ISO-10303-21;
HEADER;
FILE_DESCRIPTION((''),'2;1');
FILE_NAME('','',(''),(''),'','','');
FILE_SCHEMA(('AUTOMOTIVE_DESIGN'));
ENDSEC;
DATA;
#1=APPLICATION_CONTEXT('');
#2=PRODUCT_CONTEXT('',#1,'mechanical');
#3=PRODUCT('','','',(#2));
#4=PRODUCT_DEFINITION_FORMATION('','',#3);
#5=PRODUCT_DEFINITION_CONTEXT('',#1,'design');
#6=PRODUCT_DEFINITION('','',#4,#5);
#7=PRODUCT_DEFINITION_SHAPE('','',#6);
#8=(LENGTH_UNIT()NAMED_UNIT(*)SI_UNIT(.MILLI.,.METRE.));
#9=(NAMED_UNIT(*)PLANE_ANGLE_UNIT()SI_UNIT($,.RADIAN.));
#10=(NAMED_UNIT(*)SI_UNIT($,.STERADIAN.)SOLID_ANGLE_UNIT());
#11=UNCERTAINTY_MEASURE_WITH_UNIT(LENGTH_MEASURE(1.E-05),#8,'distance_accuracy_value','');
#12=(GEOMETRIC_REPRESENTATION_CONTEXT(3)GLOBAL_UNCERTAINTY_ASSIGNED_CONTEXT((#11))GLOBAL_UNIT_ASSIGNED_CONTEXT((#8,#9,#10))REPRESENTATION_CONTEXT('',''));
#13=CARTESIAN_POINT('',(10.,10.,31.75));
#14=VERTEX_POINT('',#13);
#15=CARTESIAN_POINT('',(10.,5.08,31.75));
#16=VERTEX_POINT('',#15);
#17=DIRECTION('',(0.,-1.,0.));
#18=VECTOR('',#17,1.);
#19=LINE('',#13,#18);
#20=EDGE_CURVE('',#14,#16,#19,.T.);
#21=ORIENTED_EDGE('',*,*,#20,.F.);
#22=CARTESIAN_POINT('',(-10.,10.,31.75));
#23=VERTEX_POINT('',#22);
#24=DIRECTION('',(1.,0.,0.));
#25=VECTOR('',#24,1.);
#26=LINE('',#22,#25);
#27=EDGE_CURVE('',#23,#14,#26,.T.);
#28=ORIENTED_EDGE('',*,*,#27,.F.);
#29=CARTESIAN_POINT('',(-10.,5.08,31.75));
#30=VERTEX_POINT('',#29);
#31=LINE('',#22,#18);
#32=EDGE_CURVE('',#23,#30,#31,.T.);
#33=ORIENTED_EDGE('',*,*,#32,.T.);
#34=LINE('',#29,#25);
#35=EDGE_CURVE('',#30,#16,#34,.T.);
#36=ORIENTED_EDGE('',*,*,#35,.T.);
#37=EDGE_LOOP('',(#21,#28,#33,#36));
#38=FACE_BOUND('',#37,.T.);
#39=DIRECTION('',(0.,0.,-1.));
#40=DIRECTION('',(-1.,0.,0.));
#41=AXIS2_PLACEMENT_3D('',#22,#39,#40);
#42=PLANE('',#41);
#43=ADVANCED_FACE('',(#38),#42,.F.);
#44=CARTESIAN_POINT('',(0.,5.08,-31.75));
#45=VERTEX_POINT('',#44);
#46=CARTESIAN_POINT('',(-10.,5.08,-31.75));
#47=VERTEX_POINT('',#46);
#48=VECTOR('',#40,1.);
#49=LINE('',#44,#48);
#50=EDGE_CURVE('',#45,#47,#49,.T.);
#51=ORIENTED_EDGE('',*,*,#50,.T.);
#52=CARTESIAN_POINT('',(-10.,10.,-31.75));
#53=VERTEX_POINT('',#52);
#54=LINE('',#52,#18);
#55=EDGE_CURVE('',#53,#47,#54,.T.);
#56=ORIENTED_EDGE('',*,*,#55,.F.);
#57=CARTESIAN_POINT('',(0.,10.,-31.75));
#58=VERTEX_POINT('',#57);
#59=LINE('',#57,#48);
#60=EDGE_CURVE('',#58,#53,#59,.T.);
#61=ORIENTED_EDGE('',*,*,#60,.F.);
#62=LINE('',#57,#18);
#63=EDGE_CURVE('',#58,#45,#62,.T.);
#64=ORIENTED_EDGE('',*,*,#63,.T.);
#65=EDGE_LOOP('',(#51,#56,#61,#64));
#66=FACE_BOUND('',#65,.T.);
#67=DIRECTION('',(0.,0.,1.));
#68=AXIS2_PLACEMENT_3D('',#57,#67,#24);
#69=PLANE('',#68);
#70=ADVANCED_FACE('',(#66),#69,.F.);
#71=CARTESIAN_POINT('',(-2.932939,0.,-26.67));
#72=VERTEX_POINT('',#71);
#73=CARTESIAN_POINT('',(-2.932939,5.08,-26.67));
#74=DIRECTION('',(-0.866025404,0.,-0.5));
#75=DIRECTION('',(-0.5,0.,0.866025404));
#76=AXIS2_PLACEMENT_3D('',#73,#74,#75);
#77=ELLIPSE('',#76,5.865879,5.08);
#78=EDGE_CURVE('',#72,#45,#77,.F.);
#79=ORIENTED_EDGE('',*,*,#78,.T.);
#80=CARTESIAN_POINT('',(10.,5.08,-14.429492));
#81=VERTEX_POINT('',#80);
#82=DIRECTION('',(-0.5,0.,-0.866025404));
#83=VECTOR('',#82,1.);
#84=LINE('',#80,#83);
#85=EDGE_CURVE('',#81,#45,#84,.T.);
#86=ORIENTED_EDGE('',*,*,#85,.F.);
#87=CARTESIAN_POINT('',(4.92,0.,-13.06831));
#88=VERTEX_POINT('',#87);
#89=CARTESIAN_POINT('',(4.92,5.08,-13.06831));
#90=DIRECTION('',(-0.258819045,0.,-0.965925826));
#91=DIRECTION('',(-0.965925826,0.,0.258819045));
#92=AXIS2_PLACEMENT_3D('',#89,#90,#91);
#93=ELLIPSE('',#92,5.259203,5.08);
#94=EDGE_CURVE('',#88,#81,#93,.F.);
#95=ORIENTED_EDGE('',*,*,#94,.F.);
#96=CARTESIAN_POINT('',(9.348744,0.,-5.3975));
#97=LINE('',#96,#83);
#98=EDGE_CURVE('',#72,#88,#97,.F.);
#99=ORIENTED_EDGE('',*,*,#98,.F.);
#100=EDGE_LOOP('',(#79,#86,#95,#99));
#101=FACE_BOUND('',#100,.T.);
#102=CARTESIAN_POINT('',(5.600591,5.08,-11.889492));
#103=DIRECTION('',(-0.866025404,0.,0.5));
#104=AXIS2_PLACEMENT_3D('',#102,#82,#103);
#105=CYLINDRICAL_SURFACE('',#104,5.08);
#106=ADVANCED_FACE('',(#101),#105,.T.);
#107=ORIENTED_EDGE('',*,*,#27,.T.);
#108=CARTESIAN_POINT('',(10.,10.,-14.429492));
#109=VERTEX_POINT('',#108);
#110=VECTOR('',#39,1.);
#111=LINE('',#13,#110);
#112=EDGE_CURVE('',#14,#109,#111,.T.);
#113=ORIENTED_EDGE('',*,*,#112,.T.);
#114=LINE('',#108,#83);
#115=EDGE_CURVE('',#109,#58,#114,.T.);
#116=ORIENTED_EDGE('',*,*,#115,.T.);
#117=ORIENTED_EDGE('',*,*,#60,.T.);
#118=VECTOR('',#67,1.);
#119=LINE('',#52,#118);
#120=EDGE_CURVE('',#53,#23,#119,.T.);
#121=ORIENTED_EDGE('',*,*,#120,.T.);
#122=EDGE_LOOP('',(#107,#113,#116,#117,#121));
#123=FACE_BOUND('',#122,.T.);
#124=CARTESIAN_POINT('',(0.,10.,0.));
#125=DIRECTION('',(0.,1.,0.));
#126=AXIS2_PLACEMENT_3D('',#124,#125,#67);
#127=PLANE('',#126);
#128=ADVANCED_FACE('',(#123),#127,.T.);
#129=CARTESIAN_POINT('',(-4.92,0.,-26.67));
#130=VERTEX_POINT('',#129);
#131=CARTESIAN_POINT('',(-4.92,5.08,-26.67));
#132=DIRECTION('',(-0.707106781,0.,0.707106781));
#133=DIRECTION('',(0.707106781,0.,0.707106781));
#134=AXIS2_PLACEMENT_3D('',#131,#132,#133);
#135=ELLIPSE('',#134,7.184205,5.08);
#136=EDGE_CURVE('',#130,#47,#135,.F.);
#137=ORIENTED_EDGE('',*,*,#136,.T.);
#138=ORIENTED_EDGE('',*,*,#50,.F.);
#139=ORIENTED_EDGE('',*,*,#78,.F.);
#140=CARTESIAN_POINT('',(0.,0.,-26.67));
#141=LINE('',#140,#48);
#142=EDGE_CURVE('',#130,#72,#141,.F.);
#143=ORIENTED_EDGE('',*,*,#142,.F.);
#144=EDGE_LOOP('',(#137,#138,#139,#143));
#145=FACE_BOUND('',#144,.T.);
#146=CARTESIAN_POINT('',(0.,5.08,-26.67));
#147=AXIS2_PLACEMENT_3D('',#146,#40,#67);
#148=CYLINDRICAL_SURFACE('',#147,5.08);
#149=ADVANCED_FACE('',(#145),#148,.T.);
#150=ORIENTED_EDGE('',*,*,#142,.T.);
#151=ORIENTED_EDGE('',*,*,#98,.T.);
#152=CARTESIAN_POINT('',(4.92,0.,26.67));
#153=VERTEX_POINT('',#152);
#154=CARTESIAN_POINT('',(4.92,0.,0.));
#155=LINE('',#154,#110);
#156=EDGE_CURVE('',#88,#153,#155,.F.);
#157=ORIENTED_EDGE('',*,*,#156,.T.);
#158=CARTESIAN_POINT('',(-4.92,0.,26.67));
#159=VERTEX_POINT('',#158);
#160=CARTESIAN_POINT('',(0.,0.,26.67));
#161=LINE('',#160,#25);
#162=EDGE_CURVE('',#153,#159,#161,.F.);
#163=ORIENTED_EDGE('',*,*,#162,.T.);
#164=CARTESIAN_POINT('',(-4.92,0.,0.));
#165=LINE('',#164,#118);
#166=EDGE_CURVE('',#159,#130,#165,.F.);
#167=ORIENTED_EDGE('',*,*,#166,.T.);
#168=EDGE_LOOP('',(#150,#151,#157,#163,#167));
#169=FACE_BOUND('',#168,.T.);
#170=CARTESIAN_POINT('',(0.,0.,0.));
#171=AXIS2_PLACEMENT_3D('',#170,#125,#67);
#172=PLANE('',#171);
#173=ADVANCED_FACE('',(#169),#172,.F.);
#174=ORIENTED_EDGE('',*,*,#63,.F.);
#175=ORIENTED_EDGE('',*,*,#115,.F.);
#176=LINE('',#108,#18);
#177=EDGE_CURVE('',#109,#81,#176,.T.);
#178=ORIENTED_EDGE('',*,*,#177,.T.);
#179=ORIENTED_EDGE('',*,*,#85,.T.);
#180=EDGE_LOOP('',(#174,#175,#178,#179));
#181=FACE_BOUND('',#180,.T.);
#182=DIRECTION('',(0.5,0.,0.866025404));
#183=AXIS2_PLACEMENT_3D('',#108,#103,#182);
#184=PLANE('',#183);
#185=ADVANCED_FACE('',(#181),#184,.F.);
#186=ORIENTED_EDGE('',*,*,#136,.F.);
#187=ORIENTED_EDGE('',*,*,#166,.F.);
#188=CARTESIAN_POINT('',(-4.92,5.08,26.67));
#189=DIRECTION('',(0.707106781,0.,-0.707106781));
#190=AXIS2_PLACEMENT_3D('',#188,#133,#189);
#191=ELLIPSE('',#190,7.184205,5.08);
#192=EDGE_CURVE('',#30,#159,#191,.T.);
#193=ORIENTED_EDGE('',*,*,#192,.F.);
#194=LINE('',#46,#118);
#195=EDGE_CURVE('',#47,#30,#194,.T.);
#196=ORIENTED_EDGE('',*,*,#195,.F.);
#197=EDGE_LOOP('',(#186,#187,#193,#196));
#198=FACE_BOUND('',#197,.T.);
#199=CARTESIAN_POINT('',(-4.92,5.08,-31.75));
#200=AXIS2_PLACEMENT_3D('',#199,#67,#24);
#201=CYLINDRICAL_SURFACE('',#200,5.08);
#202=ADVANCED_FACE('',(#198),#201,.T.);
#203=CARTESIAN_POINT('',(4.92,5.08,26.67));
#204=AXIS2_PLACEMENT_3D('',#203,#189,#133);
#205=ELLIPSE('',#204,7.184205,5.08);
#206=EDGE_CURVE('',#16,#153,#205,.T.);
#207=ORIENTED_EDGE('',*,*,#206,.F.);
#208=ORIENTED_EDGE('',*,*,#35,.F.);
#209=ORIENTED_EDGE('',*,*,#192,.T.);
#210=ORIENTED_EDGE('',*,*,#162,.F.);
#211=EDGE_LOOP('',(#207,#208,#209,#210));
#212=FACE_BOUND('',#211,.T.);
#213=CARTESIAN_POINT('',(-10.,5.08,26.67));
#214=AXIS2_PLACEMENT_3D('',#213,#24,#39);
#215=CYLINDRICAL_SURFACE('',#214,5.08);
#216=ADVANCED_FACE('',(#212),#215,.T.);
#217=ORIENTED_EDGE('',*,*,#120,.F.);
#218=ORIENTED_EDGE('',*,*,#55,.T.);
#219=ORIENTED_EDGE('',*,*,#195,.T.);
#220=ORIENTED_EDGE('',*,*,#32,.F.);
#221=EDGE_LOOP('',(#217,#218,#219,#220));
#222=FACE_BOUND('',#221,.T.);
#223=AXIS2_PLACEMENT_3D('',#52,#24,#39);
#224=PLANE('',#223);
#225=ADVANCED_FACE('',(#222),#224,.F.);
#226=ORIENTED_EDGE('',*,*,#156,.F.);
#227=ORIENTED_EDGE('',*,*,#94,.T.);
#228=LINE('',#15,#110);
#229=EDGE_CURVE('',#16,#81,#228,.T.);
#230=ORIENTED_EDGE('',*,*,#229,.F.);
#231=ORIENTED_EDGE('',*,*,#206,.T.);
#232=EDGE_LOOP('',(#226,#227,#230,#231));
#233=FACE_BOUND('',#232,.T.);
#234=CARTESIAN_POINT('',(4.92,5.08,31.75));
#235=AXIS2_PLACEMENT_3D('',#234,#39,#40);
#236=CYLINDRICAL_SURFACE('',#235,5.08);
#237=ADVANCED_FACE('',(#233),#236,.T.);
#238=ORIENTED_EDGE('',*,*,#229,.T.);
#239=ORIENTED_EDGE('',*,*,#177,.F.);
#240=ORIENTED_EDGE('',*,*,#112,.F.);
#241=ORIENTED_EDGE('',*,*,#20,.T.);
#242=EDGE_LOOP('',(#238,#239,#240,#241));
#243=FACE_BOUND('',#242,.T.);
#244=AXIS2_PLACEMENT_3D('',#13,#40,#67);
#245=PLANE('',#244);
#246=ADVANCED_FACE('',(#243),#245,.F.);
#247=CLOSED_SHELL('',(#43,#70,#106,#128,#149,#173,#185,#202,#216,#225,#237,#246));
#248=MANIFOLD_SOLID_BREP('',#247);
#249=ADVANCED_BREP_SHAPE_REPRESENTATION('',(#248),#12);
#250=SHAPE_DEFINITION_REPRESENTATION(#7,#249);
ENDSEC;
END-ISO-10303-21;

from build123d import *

# Parameters (mm, degrees)
BOSS_EXTRUDE1_DEPTH = 10
FILLET1_R           = 5.08


with BuildPart() as part:
    # Sketch1 → Boss-Extrude1 (new body)
    with BuildSketch(Plane(origin=(0, 0, 0), x_dir=(1, 0, 0), z_dir=(0, 1, 0))):
        Polygon((10, -31.75), (10, 14.429491924), (0, 31.75), (-10, 31.75), (-10, -31.75), align=None)
    extrude(amount=BOSS_EXTRUDE1_DEPTH)

    # Fillet1
    fillet1_edges = [part.edges().sort_by_distance(p)[0] for p in [
        (-10, 0, 0),
        (-5, 0, -31.75),
        (5, 0, -23.089745962),
        (10, 0, 8.660254038),
        (0, 0, 31.75),
    ]]
    fillet(fillet1_edges, radius=FILLET1_R)


solid = part.part
